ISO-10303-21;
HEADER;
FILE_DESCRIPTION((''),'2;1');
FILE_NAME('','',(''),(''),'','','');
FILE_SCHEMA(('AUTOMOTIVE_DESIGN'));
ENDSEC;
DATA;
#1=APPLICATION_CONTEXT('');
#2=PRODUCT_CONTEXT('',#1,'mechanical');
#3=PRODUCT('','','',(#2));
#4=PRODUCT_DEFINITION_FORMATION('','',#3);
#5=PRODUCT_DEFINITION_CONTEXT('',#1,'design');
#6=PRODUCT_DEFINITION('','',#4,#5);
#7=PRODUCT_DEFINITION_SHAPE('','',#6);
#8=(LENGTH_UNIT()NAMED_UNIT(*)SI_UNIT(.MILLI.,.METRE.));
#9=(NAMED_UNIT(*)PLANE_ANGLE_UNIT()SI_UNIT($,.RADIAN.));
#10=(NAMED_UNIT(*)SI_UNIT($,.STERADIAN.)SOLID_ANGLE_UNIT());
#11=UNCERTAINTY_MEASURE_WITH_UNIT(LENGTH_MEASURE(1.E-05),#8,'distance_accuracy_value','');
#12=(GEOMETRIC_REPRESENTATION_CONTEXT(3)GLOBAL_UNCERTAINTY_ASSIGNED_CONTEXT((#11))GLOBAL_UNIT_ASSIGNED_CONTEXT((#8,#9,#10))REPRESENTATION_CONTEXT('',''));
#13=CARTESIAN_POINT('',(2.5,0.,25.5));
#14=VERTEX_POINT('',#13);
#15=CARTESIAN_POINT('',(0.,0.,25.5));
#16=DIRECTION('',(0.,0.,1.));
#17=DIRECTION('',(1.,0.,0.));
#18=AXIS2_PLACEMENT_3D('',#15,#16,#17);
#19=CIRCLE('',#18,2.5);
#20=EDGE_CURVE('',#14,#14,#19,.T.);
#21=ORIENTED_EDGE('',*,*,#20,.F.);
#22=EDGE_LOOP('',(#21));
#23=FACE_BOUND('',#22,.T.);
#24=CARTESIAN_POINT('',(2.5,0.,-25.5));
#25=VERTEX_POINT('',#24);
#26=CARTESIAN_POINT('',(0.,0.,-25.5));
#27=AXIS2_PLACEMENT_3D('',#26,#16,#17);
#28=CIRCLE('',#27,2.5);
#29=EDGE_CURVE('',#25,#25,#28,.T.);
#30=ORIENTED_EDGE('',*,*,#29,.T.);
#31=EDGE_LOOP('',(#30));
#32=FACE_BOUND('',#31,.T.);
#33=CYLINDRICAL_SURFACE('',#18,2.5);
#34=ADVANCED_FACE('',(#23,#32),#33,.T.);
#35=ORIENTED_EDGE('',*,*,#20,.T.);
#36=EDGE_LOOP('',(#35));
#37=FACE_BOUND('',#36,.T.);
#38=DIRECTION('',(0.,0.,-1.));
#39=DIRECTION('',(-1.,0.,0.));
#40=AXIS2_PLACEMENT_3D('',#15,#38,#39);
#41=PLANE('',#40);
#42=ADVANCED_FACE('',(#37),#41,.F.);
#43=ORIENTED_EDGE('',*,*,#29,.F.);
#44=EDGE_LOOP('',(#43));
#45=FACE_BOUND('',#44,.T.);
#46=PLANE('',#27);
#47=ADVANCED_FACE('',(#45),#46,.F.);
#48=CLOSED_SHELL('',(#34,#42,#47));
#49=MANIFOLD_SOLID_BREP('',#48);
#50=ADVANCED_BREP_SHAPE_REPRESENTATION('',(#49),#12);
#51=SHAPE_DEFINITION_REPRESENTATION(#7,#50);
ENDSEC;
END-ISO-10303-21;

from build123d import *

# Parameters (mm, degrees)
SKETCH1_W = 51
SKETCH1_H = 2.5


with BuildPart() as part:
    # Sketch1 → Revolve1 (revolve)
    with BuildSketch(Plane(origin=(0, 0, 0), x_dir=(0, 0, -1), z_dir=(1, 0, 0)), mode=Mode.PRIVATE) as revolve1_sk:
        with Locations((0, 1.25)):
            Rectangle(SKETCH1_W, SKETCH1_H)
    revolve(revolve1_sk.sketch.rotate(Axis((0, 0, 25.5), (0, 0, -1)), 90), axis=Axis((0, 0, 25.5), (0, 0, -1)))


solid = part.part
